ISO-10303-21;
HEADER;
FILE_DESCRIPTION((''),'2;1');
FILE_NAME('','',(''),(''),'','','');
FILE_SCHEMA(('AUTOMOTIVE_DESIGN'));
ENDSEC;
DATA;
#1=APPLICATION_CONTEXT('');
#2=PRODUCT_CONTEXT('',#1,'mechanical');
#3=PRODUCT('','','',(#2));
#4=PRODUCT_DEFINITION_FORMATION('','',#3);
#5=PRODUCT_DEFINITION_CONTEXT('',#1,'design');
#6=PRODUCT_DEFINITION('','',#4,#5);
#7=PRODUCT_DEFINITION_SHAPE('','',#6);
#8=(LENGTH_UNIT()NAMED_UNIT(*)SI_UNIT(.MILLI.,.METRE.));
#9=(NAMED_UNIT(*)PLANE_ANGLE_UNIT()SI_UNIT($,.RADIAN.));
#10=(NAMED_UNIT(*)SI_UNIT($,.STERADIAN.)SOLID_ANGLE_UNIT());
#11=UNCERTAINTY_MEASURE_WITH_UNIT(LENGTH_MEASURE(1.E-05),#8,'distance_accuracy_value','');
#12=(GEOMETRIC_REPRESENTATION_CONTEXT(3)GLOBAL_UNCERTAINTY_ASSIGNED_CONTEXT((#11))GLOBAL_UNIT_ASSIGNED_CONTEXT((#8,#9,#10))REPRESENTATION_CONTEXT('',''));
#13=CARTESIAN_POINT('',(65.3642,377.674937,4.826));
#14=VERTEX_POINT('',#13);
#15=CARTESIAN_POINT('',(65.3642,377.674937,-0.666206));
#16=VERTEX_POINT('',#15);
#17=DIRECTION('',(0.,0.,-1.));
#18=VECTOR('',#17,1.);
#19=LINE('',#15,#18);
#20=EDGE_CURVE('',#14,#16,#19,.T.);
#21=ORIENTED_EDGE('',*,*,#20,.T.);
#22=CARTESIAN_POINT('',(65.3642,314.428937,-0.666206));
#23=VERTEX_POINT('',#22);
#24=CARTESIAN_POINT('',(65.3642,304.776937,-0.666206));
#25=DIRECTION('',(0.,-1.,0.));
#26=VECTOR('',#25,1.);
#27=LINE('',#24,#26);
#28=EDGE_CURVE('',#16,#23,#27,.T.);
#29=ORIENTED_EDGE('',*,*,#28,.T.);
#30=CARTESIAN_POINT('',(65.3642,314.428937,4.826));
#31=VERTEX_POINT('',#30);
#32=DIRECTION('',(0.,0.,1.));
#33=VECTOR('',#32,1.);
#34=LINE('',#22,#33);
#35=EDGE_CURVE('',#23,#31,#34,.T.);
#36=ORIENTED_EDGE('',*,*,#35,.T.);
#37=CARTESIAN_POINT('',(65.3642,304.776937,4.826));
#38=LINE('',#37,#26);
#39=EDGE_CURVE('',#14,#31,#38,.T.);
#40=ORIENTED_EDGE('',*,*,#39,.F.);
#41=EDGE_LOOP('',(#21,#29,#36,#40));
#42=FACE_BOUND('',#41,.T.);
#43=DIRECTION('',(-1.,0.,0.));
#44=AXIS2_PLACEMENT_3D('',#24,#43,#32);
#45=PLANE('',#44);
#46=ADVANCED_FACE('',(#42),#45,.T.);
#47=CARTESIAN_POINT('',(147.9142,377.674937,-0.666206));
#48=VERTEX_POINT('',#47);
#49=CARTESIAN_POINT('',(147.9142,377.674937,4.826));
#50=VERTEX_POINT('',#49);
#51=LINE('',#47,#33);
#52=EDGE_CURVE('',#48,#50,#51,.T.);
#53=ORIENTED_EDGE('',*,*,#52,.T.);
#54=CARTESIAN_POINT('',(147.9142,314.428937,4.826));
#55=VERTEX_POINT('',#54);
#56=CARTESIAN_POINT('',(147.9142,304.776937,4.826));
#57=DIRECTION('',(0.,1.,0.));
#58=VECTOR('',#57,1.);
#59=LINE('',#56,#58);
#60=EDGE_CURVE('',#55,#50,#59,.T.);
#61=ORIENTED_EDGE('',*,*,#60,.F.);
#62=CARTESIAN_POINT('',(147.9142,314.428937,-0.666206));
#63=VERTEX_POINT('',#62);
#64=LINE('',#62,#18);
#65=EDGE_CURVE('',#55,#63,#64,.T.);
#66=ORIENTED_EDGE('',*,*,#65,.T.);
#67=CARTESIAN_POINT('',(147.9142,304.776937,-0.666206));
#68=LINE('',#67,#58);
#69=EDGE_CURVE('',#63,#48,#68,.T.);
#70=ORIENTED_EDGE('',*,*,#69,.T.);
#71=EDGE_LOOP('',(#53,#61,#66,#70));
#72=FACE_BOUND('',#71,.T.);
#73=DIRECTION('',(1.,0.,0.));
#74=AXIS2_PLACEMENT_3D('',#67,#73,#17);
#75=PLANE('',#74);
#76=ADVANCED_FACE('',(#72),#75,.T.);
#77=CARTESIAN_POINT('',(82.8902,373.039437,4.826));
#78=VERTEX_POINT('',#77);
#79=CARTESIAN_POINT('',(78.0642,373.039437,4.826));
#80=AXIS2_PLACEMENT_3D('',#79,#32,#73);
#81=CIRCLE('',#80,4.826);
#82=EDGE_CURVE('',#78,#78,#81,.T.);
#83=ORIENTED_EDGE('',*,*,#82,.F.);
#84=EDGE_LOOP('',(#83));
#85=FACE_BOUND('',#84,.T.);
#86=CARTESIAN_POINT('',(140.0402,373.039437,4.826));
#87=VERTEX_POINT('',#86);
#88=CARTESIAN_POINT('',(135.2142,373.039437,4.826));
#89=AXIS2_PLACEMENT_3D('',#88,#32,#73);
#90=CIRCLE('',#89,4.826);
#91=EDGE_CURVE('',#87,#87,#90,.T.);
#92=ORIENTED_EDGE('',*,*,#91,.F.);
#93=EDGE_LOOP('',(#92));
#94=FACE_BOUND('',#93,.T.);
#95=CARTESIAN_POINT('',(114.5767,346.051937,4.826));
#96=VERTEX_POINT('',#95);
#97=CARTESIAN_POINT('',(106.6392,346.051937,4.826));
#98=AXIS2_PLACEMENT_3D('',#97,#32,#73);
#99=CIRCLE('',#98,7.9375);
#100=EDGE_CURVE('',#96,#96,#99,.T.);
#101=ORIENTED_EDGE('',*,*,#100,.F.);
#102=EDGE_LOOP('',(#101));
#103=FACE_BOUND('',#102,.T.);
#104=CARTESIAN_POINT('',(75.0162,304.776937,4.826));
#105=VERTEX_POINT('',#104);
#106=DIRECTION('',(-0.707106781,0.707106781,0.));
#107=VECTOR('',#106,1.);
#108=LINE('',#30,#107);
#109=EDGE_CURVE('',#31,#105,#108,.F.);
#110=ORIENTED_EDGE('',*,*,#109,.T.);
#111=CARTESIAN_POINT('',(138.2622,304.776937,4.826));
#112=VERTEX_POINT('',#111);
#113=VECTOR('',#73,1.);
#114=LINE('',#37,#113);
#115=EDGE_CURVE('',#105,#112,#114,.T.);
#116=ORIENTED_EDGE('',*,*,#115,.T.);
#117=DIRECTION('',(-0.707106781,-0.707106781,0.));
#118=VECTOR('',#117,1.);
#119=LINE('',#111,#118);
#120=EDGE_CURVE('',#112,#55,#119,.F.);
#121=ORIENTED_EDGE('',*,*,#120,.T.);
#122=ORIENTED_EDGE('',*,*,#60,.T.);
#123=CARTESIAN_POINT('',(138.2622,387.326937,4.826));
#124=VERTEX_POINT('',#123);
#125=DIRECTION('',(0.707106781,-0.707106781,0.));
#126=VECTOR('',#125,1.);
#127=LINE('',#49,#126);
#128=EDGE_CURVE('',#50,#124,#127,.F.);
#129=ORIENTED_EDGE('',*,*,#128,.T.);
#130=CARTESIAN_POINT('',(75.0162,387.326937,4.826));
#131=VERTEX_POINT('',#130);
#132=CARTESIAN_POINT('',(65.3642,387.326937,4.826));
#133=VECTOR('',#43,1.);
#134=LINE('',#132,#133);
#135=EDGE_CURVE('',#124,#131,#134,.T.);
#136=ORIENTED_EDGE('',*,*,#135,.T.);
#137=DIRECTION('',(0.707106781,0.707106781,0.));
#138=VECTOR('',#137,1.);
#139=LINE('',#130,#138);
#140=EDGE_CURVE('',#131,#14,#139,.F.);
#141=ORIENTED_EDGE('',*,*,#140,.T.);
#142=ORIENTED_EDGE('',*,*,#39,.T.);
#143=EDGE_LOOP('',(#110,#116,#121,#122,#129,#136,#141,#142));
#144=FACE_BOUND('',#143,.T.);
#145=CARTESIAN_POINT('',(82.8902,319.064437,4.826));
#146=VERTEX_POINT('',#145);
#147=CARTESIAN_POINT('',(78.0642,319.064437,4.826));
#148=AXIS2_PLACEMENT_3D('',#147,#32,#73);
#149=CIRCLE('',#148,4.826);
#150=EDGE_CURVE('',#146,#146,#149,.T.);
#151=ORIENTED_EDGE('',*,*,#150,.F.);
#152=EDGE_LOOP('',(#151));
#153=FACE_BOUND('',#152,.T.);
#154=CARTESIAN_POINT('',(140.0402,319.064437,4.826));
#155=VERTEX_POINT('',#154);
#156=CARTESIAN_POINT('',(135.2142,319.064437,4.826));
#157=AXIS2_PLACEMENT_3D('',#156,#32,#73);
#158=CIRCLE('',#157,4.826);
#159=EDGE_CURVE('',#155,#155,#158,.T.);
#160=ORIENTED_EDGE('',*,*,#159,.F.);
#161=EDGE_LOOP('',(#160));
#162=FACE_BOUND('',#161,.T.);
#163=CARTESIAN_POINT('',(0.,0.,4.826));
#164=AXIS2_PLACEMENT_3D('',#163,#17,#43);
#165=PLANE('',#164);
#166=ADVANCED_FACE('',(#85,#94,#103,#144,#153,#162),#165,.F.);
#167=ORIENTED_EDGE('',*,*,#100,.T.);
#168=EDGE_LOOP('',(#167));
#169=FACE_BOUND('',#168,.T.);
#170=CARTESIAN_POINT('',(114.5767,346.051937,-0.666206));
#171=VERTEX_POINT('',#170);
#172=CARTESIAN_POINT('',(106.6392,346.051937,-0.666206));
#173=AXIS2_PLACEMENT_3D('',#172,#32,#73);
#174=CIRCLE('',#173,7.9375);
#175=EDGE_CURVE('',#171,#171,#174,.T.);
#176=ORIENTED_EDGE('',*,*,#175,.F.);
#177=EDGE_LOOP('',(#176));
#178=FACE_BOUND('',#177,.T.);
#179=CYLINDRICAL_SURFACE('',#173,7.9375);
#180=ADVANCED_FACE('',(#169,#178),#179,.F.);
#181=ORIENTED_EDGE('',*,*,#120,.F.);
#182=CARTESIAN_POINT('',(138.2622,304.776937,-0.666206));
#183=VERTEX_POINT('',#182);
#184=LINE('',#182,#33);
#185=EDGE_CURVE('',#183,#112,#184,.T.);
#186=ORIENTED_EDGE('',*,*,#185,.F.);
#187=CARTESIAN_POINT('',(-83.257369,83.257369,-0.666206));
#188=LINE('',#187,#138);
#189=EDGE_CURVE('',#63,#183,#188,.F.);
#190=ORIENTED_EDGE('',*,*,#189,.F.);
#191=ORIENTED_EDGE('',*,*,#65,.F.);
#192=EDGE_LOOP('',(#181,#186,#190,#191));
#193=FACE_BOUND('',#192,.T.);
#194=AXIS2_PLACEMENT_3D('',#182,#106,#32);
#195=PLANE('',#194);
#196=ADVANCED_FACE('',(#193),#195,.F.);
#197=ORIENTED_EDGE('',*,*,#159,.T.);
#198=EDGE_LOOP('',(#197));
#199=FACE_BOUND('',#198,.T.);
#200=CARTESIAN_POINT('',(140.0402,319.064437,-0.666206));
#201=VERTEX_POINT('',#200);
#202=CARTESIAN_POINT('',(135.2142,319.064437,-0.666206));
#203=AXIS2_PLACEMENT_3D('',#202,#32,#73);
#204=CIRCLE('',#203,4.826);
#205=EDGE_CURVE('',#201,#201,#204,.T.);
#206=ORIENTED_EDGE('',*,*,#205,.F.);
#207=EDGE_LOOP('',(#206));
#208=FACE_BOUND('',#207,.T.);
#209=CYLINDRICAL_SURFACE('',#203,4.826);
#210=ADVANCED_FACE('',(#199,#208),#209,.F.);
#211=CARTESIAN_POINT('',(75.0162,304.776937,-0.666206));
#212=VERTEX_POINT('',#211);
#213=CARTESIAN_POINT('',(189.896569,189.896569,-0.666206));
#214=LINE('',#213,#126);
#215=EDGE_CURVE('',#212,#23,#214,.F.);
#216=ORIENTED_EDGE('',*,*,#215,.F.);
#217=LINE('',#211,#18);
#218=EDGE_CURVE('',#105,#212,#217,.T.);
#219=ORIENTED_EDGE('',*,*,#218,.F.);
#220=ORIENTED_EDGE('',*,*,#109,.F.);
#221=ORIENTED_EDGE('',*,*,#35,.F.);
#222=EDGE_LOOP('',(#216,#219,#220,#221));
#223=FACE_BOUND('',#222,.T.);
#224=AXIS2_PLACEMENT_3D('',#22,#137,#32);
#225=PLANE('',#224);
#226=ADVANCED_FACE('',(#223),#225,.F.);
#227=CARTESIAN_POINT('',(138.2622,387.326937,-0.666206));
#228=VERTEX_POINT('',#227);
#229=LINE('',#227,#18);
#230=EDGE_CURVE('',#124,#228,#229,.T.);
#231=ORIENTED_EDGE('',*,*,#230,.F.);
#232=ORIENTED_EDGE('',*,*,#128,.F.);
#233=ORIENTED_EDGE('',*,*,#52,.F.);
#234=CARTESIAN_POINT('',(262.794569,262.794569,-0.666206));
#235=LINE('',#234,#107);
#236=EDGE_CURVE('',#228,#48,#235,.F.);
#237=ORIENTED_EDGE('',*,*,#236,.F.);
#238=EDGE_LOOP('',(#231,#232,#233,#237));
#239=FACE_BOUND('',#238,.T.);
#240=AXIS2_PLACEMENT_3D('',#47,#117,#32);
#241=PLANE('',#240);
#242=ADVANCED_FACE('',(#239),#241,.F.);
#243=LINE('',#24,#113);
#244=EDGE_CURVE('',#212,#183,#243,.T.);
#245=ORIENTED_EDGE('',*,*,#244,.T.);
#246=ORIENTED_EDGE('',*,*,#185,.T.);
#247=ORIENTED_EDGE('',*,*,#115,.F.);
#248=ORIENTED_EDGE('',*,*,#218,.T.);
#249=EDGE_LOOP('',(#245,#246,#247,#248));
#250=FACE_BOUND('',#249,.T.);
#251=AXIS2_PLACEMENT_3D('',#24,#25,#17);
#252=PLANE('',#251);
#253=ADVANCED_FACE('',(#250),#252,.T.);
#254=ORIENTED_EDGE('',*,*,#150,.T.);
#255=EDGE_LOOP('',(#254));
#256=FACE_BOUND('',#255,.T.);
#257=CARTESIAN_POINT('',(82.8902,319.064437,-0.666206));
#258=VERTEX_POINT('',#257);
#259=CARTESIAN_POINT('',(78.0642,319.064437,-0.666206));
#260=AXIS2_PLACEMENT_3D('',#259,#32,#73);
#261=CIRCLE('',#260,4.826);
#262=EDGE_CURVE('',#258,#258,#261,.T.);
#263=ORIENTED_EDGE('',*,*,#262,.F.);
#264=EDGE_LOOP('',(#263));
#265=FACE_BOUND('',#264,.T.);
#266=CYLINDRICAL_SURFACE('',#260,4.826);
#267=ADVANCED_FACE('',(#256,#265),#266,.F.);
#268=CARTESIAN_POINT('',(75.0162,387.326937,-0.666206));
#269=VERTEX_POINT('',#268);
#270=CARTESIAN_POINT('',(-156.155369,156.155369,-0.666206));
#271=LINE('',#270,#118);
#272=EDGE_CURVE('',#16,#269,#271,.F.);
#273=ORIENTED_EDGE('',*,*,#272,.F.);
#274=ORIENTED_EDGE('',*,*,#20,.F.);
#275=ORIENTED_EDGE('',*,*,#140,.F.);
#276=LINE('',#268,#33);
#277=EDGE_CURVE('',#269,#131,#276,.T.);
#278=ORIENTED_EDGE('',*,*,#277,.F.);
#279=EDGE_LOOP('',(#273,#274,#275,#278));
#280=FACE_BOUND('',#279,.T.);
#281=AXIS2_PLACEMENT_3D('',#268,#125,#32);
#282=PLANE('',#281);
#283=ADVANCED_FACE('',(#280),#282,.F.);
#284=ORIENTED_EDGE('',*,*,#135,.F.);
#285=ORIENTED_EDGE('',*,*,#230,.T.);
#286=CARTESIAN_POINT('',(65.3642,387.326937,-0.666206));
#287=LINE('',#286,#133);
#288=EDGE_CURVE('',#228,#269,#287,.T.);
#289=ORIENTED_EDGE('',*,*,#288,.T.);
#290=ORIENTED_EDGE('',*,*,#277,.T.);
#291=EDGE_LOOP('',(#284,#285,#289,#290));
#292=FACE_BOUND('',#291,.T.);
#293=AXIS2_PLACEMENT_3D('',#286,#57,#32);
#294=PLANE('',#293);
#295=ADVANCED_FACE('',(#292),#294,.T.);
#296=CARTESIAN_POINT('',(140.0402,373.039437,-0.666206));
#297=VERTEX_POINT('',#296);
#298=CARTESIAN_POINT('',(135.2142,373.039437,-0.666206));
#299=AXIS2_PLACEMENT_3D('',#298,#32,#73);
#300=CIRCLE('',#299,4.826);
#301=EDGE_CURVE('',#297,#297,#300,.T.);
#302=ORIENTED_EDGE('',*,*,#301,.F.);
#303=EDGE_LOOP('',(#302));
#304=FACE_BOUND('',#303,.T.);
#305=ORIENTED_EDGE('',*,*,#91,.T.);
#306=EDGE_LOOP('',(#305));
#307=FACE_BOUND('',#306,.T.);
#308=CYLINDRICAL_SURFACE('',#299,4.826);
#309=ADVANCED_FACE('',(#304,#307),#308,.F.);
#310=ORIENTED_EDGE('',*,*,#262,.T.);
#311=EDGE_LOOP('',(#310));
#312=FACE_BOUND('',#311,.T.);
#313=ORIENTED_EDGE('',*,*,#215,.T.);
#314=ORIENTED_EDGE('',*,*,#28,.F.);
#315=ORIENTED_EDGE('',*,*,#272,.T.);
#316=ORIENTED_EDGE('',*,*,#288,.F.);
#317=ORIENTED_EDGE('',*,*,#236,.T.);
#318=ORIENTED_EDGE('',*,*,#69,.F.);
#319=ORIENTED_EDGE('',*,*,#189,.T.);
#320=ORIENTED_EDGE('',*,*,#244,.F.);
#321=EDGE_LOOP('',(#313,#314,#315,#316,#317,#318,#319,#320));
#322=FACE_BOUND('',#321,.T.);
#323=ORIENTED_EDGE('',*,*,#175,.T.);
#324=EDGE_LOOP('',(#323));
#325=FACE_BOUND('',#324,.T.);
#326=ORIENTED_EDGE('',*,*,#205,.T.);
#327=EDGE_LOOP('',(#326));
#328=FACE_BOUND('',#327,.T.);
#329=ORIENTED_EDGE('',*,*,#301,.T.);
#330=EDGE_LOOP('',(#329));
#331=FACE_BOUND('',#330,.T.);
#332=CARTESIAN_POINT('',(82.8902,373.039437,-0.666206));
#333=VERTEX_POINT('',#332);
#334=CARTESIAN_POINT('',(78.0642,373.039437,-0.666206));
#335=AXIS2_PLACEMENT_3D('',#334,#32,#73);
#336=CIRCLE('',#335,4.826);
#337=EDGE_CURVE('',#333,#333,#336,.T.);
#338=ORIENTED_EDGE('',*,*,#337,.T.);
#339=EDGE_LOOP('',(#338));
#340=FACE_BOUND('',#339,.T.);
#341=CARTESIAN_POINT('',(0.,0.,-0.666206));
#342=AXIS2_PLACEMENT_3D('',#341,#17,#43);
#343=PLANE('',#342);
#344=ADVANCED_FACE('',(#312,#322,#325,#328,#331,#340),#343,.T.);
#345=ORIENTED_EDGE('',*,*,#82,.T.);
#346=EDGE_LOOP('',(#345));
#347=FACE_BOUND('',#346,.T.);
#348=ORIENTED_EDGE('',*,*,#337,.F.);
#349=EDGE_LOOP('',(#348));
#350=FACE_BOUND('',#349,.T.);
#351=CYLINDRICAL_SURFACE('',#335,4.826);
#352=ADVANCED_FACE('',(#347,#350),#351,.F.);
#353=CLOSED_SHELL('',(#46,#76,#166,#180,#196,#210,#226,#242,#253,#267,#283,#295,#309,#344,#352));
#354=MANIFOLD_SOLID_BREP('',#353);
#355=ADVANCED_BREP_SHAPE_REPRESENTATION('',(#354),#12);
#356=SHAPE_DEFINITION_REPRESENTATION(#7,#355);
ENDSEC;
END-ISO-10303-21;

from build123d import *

# Parameters (mm, degrees)
BOSS_EXTRUDE1_DEPTH      = 4.826
BOSS_EXTRUDE1_DEPTH_BACK = 0.666205528
SKETCH1_W                = 82.55
SKETCH1_H                = 82.55
SKETCH1_R                = 4.826
SKETCH1_R_2              = 7.9375
CHAMFER1_SIZE            = 9.652


with BuildPart() as part:
    # Sketch1 → Boss-Extrude1 (new, two sides: drawn at the far end of the back side and taken through both)
    with BuildSketch(Plane(origin=(106.639199962, 25.37693728, 0), x_dir=(1, 0, 0), z_dir=(0, 0, 1)).offset(-BOSS_EXTRUDE1_DEPTH_BACK)):
        with Locations((0, 320.675)):
            Rectangle(SKETCH1_W, SKETCH1_H)
        with Locations((-28.575, 347.6625)):
            Circle(SKETCH1_R, mode=Mode.SUBTRACT)
        with Locations((-28.575, 293.6875)):
            Circle(SKETCH1_R, mode=Mode.SUBTRACT)
        with Locations((28.575, 347.6625)):
            Circle(SKETCH1_R, mode=Mode.SUBTRACT)
        with Locations((28.575, 293.6875)):
            Circle(SKETCH1_R, mode=Mode.SUBTRACT)
        with Locations((0, 320.675)):
            Circle(SKETCH1_R_2, mode=Mode.SUBTRACT)
    extrude(amount=BOSS_EXTRUDE1_DEPTH + BOSS_EXTRUDE1_DEPTH_BACK)

    # Chamfer1
    chamfer1_edges = [part.edges().sort_by_distance(p)[0] for p in [
        (147.914199962, 304.77693728, 2.079897236),
        (65.364199962, 304.77693728, 2.079897236),
        (65.364199962, 387.32693728, 2.079897236),
        (147.914199962, 387.32693728, 2.079897236),
    ]]
    chamfer(chamfer1_edges, length=CHAMFER1_SIZE)


solid = part.part
